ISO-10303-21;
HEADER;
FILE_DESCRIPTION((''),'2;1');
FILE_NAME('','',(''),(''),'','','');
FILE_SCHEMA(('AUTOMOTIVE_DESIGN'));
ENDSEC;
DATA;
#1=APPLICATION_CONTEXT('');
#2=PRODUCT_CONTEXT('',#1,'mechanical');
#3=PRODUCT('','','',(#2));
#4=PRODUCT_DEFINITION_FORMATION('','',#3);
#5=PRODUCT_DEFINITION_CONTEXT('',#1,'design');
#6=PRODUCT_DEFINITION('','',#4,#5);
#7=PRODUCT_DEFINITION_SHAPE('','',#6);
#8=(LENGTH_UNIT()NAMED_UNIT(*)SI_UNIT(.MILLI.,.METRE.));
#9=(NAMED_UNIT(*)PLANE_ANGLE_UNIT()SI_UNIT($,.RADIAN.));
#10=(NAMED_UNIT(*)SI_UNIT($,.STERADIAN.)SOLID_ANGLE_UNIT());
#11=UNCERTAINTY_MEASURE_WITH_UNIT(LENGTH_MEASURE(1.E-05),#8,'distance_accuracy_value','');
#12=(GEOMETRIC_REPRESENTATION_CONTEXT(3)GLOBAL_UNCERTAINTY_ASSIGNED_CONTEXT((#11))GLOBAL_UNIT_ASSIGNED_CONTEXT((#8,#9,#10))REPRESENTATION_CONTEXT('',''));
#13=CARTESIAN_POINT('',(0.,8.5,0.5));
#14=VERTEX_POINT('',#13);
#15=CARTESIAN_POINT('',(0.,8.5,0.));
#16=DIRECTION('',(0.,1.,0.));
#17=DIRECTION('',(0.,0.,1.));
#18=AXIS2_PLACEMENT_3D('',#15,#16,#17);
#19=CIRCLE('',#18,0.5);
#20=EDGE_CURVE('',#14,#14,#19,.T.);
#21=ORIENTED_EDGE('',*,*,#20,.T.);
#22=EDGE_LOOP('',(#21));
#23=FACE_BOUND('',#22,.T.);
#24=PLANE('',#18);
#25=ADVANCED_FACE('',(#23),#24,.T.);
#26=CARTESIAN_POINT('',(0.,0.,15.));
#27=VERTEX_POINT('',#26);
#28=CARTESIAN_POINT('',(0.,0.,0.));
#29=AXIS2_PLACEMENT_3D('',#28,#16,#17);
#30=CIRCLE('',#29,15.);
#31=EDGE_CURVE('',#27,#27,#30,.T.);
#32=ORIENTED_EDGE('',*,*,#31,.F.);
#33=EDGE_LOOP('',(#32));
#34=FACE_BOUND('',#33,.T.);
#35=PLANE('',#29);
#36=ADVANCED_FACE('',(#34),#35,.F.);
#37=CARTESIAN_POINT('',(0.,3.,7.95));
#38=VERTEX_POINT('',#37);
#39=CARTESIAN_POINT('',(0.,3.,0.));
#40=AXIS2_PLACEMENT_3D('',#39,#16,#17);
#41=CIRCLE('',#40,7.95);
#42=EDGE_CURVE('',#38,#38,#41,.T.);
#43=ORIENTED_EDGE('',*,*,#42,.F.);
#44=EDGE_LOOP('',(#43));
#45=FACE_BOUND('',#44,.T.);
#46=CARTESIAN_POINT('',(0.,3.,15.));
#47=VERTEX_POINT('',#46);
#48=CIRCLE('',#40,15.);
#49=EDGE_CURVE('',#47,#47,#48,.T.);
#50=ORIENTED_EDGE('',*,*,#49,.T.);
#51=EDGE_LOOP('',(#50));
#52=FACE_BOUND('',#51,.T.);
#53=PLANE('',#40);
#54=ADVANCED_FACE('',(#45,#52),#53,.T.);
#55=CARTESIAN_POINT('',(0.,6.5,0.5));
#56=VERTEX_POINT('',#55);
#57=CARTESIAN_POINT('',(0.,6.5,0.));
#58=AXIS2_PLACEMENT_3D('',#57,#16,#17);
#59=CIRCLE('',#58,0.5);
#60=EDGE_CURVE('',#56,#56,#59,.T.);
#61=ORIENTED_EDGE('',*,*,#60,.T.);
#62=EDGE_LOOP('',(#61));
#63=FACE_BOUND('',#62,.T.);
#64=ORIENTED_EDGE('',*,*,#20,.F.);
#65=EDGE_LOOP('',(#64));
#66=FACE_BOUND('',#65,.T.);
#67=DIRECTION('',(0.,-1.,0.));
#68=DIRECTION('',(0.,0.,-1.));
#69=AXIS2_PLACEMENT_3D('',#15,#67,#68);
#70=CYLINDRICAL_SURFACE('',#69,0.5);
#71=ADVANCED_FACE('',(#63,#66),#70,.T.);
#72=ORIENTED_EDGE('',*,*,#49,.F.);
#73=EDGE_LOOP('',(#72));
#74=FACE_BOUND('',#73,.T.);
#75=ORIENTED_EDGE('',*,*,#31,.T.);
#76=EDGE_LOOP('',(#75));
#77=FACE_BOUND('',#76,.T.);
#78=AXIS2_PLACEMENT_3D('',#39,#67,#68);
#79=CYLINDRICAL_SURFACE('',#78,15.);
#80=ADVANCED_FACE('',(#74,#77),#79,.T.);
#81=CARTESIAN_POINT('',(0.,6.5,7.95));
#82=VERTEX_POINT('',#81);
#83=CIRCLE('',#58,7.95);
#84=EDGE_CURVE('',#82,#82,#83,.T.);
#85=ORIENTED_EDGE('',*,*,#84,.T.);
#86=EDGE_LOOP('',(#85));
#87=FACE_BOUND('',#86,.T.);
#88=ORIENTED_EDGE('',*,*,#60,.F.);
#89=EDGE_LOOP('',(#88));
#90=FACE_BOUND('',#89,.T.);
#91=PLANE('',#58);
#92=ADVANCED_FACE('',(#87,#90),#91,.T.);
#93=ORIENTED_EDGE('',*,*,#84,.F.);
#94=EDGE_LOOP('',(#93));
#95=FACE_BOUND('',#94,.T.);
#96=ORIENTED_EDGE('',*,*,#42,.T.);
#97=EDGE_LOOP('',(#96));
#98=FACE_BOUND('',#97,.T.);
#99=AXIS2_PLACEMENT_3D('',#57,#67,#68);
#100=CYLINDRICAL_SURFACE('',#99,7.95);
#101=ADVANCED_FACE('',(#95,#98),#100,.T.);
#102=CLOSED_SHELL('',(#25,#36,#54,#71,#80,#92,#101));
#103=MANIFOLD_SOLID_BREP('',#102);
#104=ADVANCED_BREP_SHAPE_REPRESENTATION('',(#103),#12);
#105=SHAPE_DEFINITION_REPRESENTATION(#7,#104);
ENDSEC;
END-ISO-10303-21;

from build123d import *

# Parameters (mm, degrees)
SKETCH_1_R      = 15
EXTRUDE_1_DEPTH = 3
SKETCH_2_R      = 7.95
EXTRUDE_2_DEPTH = 3.5
SKETCH_3_R      = 0.5
EXTRUDE_3_DEPTH = 2


with BuildPart() as part:
    # 草图1 → 凸台-拉伸1 (new body)
    with BuildSketch(Plane(origin=(0, 0, 0), x_dir=(1, 0, 0), z_dir=(0, 1, 0))):
        Circle(SKETCH_1_R)
    extrude(amount=EXTRUDE_1_DEPTH)

    # 草图2 → 凸台-拉伸2 (add)
    with BuildSketch(Plane(origin=(0, 3, 0), x_dir=(1, 0, 0), z_dir=(0, 1, 0))):
        Circle(SKETCH_2_R)
    extrude(amount=EXTRUDE_2_DEPTH)

    # 草图3 → 凸台-拉伸3 (add)
    with BuildSketch(Plane(origin=(0, 6.5, 0), x_dir=(1, 0, 0), z_dir=(0, 1, 0))):
        Circle(SKETCH_3_R)
    extrude(amount=EXTRUDE_3_DEPTH)


solid = part.part
